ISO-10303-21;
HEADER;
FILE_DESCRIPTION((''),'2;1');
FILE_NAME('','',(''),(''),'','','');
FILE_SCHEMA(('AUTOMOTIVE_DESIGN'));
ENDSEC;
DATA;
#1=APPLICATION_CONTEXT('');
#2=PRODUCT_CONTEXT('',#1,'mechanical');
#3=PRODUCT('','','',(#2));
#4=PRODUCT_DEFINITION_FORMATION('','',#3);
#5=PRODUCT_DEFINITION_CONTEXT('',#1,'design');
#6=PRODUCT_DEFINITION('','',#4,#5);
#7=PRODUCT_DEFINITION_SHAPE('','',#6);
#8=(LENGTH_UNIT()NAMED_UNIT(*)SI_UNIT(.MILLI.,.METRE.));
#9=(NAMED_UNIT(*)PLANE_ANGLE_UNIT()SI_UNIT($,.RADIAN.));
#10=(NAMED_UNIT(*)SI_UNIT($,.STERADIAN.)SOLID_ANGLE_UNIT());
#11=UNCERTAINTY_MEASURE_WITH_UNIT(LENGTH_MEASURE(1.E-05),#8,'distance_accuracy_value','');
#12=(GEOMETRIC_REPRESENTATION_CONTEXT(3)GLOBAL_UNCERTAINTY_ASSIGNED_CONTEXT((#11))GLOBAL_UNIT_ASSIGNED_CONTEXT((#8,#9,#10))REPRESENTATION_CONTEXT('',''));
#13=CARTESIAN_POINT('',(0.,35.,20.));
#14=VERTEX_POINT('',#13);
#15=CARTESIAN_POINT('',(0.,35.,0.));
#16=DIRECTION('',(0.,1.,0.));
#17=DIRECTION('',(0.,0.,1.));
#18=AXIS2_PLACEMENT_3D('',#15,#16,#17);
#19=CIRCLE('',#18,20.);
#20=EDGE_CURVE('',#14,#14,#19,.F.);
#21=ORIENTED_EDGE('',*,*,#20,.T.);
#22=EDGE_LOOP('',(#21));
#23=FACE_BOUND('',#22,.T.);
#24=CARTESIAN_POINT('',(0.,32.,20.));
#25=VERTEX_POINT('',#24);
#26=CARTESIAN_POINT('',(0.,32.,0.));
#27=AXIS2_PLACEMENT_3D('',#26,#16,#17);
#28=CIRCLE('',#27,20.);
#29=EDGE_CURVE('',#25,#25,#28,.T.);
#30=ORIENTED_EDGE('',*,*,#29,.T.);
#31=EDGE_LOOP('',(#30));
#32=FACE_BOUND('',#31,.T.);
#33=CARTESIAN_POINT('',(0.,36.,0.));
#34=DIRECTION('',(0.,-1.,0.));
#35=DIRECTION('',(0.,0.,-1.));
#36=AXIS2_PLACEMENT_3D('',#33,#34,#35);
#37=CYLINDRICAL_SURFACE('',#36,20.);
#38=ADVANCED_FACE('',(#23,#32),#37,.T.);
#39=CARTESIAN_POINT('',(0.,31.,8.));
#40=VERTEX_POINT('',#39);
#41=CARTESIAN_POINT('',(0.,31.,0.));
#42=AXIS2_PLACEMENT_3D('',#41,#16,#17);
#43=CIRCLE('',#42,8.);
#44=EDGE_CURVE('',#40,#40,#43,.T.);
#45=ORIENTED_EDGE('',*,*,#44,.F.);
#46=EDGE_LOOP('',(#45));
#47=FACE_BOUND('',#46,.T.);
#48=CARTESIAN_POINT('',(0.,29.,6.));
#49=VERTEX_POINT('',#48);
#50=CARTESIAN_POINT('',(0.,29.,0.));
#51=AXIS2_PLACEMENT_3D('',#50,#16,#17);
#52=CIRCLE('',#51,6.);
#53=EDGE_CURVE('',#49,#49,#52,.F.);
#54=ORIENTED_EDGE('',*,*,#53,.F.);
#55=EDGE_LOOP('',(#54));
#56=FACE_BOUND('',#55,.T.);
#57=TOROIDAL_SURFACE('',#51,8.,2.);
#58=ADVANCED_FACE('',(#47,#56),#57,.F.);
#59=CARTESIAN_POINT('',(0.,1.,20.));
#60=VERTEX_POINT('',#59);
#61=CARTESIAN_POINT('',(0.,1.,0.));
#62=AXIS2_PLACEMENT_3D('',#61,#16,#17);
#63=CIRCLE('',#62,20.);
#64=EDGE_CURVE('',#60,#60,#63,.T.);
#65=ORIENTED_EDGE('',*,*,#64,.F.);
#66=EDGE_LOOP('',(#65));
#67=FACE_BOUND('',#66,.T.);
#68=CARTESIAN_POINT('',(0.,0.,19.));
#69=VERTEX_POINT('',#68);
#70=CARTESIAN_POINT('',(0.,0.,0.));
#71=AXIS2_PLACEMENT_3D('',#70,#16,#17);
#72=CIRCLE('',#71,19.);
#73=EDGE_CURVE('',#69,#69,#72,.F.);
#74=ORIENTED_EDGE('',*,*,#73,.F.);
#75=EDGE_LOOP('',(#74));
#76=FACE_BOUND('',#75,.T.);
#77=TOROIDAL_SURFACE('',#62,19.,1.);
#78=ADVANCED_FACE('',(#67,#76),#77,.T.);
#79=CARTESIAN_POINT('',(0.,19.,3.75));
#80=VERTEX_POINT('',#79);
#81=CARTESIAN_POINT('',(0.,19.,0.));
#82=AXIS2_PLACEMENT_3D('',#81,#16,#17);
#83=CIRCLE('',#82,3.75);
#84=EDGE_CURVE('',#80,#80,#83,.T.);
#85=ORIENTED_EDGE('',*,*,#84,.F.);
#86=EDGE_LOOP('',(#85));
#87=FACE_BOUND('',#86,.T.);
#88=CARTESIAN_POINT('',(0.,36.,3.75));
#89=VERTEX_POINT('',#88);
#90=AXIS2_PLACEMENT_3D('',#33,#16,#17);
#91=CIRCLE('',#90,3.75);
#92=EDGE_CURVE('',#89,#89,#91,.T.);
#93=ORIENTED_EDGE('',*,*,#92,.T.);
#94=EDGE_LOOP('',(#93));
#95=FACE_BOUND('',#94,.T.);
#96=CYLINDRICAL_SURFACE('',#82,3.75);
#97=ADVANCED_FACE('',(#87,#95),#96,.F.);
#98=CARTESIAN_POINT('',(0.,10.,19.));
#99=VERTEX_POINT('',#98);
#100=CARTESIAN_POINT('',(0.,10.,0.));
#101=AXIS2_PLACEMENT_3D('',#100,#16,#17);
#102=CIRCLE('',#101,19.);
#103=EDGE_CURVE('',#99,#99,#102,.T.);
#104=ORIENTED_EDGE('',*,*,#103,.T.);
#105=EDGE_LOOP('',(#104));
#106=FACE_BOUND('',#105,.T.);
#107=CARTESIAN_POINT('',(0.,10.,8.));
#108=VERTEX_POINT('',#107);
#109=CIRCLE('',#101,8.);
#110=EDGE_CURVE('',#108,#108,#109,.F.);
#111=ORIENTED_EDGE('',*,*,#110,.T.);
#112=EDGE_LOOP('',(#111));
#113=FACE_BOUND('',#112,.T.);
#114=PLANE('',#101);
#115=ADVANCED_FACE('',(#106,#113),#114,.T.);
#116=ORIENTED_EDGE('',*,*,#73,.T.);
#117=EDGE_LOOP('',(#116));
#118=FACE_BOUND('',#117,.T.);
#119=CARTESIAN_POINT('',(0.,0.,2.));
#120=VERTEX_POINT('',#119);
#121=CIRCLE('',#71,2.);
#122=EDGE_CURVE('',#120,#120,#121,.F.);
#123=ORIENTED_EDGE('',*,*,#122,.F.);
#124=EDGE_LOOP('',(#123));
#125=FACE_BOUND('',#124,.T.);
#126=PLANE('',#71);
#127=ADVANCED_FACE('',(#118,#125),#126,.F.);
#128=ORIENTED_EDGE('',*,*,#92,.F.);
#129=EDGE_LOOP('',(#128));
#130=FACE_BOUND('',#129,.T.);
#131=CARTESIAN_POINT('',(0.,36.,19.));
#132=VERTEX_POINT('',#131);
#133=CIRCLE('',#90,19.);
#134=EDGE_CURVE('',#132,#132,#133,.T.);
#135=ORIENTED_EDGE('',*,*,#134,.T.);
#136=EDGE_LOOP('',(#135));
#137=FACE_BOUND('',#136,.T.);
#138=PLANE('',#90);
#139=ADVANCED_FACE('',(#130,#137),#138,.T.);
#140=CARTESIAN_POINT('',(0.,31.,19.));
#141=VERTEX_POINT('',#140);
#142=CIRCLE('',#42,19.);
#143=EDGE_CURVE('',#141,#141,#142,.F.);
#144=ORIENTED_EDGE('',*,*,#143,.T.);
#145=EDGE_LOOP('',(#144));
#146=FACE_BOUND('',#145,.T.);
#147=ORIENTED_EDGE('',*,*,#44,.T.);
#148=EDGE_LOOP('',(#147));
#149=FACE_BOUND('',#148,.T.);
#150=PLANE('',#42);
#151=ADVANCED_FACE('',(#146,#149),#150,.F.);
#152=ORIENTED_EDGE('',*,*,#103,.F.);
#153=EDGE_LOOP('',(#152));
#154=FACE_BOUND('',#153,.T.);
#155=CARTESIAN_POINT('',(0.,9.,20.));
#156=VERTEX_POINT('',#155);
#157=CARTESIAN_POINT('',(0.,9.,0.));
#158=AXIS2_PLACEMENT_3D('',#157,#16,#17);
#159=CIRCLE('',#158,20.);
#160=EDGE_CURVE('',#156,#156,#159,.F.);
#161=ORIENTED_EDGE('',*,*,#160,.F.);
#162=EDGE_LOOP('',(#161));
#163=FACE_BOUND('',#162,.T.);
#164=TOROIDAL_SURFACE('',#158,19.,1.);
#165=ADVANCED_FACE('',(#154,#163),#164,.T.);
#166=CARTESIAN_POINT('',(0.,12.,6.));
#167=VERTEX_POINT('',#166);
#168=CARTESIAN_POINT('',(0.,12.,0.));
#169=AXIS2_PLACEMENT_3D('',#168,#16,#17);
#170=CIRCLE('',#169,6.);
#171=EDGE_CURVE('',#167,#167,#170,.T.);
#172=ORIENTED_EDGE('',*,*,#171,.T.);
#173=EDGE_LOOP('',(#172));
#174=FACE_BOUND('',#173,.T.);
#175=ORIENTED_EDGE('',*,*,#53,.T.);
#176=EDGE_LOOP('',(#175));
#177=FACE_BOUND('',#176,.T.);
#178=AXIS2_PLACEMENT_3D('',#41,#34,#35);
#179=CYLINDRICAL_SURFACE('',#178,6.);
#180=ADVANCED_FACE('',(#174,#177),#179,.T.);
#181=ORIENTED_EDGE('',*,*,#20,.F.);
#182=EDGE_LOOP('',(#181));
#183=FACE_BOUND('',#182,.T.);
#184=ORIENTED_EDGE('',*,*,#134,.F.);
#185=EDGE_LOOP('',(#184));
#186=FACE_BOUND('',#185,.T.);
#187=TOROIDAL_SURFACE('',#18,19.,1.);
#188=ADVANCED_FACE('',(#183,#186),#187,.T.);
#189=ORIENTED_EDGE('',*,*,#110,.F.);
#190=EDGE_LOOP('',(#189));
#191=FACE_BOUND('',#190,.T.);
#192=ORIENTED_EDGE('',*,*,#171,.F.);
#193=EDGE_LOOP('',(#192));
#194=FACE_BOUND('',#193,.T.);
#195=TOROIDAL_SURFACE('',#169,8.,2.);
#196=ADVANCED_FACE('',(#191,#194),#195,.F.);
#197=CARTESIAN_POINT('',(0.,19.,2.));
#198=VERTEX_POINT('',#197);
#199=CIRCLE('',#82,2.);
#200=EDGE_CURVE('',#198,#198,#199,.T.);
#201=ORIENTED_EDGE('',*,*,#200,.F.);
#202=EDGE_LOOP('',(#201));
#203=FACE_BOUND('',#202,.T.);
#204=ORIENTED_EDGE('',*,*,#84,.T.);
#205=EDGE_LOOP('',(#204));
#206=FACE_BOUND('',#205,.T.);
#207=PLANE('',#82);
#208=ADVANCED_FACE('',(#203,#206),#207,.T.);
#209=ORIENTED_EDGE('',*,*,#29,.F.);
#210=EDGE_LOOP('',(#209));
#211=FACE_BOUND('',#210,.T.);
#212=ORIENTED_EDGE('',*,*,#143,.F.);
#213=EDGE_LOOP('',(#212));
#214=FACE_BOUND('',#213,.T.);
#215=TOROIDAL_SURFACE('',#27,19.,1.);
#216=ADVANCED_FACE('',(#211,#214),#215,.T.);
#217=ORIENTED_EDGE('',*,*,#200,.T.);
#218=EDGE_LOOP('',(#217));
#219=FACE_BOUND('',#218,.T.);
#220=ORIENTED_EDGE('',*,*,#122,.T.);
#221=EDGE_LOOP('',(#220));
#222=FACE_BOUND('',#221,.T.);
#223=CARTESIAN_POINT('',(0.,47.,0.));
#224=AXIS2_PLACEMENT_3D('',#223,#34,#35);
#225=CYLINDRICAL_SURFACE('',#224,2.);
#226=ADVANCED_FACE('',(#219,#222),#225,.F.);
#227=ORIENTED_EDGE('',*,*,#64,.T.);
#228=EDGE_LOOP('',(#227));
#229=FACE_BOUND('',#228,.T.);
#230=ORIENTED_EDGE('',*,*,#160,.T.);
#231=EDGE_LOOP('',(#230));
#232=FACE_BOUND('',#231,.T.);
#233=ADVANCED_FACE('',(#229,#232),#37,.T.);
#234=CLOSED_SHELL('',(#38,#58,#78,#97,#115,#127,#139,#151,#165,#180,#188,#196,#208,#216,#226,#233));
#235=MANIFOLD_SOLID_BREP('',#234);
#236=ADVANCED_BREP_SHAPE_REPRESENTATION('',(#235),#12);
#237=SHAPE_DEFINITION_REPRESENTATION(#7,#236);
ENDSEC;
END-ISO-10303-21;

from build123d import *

# Parameters (mm, degrees)
SKETCH_1_R               = 20
EXTRUDE_1_DEPTH          = 36
CUT_EXTRUDE_START        = 10
SKETCH_2_R               = 20
SKETCH_2_R_2             = 6
CUT_EXTRUDE_1_DEPTH      = 21
SKETCH_4_R               = 2
CUT_EXTRUDE_3_DEPTH      = 47
CUT_EXTRUDE_3_DEPTH_BACK = 47
SKETCH_3_R               = 3.75
CUT_EXTRUDE_7_DEPTH      = 17
FILLET_1_R               = 2
FILLET_2_R               = 1


with BuildPart() as part:
    # 草图1 → 凸台-拉伸1 (new body)
    with BuildSketch(Plane(origin=(0, 0, 0), x_dir=(1, 0, 0), z_dir=(0, 1, 0))):
        Circle(SKETCH_1_R)
    extrude(amount=EXTRUDE_1_DEPTH)

    # 草图2 → 切除-拉伸1 (cut)
    with BuildSketch(Plane(origin=(0, 0, 0), x_dir=(1, 0, 0), z_dir=(0, 1, 0)).offset(CUT_EXTRUDE_START)):
        Circle(SKETCH_2_R)
        Circle(SKETCH_2_R_2, mode=Mode.SUBTRACT)
    extrude(amount=CUT_EXTRUDE_1_DEPTH, mode=Mode.SUBTRACT)

    # 草图4 → 切除-拉伸3 (cut, two sides)
    with BuildSketch(Plane(origin=(0, 0, 0), x_dir=(1, 0, 0), z_dir=(0, 1, 0))) as cut_extrude_3_sk:
        Circle(SKETCH_4_R)
    extrude(amount=CUT_EXTRUDE_3_DEPTH, mode=Mode.SUBTRACT)
    extrude(cut_extrude_3_sk.sketch, amount=-CUT_EXTRUDE_3_DEPTH_BACK, mode=Mode.SUBTRACT)

    # 草图3 → 切除-拉伸7 (cut)
    with BuildSketch(Plane(origin=(0, 36, 0), x_dir=(1, 0, 0), z_dir=(0, 1, 0))):
        Circle(SKETCH_3_R)
    extrude(amount=-CUT_EXTRUDE_7_DEPTH, mode=Mode.SUBTRACT)

    # 圆角1
    fillet_1_edges = [part.edges().sort_by_distance(p)[0] for p in [
        (-6, 31, 0),
        (-6, 10, 0),
    ]]
    fillet(fillet_1_edges, radius=FILLET_1_R)

    # 圆角2
    fillet_2_edges = [part.edges().sort_by_distance(p)[0] for p in [
        (-20, 0, 0),
        (-20, 36, 0),
        (-20, 10, 0),
        (-20, 31, 0),
    ]]
    fillet(fillet_2_edges, radius=FILLET_2_R)


solid = part.part
